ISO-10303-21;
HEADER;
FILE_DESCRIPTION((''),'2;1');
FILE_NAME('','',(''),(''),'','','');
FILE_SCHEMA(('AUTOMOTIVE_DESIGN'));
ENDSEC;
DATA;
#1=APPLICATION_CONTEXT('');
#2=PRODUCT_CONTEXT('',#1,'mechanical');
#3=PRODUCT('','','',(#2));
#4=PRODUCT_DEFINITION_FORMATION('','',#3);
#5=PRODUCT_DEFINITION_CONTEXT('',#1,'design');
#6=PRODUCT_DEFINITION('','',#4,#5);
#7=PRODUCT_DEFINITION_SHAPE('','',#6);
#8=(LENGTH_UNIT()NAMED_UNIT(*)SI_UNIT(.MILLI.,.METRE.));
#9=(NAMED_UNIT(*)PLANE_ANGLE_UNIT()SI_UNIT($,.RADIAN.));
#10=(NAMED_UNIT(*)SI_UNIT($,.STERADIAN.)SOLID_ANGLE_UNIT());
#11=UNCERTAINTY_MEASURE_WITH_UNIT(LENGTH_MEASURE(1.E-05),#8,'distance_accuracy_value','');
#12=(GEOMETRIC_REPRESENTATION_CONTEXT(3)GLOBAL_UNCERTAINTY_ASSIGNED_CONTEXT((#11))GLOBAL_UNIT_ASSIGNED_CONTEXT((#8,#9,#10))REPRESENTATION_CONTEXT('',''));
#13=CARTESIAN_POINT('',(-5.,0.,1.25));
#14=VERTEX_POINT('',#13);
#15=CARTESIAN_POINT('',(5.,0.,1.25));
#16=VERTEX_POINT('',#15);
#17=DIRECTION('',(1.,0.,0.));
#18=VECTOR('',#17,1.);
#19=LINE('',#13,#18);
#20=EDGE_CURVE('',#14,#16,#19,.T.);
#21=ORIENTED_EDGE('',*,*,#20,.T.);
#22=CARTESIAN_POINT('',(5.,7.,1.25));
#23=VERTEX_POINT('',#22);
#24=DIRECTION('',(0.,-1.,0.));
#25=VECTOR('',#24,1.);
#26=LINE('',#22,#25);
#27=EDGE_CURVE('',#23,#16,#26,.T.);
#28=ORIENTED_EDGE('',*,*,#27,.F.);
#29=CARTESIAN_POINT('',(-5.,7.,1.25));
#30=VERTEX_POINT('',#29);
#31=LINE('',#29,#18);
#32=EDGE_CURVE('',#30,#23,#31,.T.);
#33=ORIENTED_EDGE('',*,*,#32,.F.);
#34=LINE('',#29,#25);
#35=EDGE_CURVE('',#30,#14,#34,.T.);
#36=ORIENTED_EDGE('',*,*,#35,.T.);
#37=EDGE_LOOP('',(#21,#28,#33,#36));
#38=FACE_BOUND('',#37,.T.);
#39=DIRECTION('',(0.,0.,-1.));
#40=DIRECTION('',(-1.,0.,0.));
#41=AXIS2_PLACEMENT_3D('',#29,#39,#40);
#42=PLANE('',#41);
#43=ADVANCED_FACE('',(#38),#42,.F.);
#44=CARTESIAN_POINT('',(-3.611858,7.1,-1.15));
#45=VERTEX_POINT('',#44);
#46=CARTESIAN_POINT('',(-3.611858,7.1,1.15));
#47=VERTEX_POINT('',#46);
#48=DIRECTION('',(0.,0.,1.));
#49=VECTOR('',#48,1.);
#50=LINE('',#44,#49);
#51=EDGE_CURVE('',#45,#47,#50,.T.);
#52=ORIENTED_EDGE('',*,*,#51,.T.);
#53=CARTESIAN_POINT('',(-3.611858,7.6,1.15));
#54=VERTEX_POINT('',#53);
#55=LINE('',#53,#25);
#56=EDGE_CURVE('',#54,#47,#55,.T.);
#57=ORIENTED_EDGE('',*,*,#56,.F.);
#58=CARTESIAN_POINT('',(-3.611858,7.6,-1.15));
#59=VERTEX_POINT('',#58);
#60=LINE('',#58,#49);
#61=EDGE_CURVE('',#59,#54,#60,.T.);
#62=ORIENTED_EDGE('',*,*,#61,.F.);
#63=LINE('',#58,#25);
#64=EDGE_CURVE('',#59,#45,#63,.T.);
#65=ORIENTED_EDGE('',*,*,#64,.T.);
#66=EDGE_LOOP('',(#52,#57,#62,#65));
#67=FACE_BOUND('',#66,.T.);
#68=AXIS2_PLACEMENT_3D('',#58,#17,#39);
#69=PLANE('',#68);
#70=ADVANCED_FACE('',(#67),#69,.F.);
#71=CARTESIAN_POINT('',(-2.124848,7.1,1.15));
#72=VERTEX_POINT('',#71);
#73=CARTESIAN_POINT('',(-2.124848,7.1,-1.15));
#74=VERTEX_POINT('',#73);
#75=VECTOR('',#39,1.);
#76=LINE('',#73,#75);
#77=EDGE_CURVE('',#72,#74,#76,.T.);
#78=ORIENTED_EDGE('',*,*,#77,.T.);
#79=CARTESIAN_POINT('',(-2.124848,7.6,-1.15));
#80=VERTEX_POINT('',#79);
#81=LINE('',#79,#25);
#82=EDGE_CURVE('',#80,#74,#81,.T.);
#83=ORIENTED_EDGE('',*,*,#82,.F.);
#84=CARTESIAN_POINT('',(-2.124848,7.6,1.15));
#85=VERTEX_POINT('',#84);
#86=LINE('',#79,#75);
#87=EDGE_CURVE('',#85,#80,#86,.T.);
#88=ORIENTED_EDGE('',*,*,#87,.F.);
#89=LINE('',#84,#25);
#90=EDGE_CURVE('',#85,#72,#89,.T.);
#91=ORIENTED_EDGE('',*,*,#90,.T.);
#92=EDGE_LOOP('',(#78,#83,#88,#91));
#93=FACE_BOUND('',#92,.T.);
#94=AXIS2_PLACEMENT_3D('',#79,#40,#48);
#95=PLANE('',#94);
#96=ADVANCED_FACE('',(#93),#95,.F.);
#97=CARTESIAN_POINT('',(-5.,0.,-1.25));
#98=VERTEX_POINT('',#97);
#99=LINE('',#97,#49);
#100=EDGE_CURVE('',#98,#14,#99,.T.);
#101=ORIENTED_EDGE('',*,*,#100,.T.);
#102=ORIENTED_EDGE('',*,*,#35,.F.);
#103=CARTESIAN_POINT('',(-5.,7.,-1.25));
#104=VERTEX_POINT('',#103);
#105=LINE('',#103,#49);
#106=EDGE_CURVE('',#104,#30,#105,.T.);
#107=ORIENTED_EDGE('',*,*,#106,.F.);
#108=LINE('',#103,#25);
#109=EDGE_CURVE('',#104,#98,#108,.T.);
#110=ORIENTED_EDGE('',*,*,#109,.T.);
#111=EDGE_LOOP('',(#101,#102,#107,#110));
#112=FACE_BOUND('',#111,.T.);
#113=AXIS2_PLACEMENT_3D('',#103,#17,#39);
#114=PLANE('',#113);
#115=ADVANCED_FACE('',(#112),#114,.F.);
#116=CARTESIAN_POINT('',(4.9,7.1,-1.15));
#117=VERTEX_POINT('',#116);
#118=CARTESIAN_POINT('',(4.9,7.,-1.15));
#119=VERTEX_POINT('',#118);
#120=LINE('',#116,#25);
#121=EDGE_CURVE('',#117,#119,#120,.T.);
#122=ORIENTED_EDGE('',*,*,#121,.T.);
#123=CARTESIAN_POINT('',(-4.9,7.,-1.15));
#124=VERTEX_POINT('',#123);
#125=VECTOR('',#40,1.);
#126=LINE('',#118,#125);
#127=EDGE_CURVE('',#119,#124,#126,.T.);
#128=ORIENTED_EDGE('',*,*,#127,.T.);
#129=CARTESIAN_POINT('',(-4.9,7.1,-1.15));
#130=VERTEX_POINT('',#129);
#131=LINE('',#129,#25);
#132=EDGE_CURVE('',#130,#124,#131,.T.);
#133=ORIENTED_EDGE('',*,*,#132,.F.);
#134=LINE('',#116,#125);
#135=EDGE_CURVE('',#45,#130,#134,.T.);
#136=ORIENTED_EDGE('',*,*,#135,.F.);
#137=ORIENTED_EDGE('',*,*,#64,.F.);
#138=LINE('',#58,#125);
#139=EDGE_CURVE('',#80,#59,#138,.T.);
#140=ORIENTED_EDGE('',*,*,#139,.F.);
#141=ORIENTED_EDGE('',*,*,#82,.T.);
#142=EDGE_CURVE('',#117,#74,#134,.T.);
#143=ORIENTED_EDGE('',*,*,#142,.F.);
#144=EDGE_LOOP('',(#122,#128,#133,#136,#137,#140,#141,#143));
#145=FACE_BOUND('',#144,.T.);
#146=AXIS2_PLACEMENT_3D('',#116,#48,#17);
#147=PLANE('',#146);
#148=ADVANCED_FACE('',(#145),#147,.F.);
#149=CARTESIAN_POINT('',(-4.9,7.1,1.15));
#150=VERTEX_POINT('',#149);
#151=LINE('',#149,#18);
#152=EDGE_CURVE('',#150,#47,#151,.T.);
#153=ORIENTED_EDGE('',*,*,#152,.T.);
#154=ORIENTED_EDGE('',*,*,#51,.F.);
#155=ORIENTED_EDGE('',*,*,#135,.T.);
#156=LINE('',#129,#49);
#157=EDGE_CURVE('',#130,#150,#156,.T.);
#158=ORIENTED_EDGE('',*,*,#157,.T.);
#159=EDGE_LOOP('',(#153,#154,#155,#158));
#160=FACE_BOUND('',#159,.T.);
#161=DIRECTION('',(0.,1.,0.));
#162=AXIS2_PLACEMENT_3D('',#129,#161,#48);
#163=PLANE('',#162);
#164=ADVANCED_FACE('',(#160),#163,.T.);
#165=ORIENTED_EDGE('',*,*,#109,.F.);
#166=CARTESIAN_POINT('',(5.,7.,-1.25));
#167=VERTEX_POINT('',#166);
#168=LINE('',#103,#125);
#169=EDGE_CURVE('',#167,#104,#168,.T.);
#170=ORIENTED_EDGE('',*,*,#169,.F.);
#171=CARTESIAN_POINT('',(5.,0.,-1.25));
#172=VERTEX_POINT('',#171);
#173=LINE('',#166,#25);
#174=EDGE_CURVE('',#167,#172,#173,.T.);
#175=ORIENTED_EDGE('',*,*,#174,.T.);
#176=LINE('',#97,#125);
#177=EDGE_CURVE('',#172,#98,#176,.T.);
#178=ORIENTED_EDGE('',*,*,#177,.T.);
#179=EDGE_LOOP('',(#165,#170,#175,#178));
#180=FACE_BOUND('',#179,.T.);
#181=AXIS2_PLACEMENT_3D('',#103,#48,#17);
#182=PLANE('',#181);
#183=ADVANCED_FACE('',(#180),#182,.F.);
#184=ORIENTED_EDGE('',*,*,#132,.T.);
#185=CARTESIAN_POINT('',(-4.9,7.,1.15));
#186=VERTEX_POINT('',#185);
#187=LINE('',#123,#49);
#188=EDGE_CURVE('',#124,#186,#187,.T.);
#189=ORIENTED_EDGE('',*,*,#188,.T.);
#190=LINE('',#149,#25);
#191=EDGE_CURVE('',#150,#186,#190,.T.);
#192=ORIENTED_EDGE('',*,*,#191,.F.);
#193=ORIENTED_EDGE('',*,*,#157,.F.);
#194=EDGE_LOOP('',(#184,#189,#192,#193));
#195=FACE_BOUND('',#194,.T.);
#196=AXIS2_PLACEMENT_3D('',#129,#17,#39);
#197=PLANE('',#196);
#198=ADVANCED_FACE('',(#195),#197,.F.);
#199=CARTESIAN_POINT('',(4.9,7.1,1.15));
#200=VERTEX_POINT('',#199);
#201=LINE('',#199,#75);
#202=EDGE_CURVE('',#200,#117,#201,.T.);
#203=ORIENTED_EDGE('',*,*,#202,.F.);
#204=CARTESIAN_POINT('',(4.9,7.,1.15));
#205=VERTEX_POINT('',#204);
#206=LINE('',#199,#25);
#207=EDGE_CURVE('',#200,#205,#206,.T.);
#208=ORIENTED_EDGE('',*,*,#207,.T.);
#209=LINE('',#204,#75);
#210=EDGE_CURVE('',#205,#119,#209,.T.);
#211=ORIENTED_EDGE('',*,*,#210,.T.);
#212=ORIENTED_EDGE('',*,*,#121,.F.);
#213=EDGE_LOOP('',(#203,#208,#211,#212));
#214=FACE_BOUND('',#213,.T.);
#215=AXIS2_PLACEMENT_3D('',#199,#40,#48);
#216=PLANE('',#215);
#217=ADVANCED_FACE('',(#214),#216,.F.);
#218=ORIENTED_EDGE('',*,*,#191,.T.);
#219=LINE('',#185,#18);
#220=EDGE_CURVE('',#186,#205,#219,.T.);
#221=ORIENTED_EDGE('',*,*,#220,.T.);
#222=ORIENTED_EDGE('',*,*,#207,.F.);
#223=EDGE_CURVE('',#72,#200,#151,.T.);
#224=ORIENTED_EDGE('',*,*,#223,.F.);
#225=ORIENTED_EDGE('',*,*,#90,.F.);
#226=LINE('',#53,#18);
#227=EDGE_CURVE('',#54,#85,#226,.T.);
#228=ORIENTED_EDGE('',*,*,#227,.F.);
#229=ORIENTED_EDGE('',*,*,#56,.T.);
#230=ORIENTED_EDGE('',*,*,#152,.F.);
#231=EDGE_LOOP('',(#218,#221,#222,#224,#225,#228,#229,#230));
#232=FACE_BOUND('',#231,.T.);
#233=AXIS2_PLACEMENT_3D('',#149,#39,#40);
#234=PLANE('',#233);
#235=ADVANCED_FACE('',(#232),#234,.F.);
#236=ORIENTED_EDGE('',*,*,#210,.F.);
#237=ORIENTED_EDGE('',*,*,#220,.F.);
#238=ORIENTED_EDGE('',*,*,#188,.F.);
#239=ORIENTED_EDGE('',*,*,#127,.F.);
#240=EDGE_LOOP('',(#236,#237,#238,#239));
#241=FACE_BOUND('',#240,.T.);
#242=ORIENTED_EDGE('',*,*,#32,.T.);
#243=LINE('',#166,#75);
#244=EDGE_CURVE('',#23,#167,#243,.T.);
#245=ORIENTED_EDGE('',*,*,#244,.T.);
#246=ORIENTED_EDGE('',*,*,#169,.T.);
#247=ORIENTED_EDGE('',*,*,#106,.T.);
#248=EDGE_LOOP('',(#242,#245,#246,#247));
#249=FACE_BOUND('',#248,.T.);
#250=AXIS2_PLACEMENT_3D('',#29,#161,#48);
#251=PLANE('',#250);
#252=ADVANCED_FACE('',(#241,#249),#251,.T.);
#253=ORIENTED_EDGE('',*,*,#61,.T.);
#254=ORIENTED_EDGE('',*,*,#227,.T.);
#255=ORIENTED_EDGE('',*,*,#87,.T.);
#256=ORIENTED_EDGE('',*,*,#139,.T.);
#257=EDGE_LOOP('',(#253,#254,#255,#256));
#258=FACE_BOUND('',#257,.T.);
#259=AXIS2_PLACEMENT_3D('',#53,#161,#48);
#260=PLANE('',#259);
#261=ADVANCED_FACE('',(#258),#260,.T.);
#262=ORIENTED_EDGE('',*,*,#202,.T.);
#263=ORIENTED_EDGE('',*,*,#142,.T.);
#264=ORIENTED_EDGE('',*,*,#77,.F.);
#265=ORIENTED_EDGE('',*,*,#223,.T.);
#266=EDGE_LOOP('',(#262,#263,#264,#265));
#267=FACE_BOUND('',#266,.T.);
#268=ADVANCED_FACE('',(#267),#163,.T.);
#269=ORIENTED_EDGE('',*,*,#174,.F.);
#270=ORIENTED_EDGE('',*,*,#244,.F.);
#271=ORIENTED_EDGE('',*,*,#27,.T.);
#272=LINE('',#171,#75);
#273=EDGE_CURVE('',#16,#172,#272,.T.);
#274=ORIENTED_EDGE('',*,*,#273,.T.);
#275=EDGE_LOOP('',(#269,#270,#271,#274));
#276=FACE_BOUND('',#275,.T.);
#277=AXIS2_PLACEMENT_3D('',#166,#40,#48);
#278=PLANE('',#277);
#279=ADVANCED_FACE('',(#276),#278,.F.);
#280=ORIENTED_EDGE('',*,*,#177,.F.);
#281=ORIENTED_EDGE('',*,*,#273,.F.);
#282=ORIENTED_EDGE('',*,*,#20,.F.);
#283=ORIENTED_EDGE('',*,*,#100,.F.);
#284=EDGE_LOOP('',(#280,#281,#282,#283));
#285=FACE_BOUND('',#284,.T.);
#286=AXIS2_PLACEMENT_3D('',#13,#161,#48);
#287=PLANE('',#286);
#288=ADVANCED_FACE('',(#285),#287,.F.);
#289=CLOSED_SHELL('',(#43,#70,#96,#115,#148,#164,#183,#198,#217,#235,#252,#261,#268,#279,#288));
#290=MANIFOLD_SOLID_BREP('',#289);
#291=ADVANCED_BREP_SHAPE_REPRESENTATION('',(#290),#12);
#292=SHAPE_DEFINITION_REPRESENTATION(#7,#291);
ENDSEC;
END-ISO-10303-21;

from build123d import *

# Parameters (mm, degrees)
SKETCH1_W           = 10
SKETCH1_H           = 2.5
BOSS_EXTRUDE1_DEPTH = 7
SKETCH2_W           = 9.8
SKETCH2_H           = 2.3
BOSS_EXTRUDE2_DEPTH = 0.1
SKETCH3_W           = 1.487009638
SKETCH3_H           = 2.3
BOSS_EXTRUDE3_DEPTH = 0.5


with BuildPart() as part:
    # Sketch1 → Boss-Extrude1 (new body)
    with BuildSketch(Plane(origin=(0, 0, 0), x_dir=(1, 0, 0), z_dir=(0, 1, 0))):
        Rectangle(SKETCH1_W, SKETCH1_H)
    extrude(amount=BOSS_EXTRUDE1_DEPTH)

    # Sketch2 → Boss-Extrude2 (add)
    with BuildSketch(Plane(origin=(0, 7, 0), x_dir=(1, 0, 0), z_dir=(0, 1, 0))):
        Rectangle(SKETCH2_W, SKETCH2_H)
    extrude(amount=BOSS_EXTRUDE2_DEPTH)

    # Sketch3 → Boss-Extrude3 (add)
    with BuildSketch(Plane(origin=(0, 7.1, 0), x_dir=(1, 0, 0), z_dir=(0, 1, 0))):
        with Locations((-2.868353266, 0)):
            Rectangle(SKETCH3_W, SKETCH3_H)
    extrude(amount=BOSS_EXTRUDE3_DEPTH)


solid = part.part
